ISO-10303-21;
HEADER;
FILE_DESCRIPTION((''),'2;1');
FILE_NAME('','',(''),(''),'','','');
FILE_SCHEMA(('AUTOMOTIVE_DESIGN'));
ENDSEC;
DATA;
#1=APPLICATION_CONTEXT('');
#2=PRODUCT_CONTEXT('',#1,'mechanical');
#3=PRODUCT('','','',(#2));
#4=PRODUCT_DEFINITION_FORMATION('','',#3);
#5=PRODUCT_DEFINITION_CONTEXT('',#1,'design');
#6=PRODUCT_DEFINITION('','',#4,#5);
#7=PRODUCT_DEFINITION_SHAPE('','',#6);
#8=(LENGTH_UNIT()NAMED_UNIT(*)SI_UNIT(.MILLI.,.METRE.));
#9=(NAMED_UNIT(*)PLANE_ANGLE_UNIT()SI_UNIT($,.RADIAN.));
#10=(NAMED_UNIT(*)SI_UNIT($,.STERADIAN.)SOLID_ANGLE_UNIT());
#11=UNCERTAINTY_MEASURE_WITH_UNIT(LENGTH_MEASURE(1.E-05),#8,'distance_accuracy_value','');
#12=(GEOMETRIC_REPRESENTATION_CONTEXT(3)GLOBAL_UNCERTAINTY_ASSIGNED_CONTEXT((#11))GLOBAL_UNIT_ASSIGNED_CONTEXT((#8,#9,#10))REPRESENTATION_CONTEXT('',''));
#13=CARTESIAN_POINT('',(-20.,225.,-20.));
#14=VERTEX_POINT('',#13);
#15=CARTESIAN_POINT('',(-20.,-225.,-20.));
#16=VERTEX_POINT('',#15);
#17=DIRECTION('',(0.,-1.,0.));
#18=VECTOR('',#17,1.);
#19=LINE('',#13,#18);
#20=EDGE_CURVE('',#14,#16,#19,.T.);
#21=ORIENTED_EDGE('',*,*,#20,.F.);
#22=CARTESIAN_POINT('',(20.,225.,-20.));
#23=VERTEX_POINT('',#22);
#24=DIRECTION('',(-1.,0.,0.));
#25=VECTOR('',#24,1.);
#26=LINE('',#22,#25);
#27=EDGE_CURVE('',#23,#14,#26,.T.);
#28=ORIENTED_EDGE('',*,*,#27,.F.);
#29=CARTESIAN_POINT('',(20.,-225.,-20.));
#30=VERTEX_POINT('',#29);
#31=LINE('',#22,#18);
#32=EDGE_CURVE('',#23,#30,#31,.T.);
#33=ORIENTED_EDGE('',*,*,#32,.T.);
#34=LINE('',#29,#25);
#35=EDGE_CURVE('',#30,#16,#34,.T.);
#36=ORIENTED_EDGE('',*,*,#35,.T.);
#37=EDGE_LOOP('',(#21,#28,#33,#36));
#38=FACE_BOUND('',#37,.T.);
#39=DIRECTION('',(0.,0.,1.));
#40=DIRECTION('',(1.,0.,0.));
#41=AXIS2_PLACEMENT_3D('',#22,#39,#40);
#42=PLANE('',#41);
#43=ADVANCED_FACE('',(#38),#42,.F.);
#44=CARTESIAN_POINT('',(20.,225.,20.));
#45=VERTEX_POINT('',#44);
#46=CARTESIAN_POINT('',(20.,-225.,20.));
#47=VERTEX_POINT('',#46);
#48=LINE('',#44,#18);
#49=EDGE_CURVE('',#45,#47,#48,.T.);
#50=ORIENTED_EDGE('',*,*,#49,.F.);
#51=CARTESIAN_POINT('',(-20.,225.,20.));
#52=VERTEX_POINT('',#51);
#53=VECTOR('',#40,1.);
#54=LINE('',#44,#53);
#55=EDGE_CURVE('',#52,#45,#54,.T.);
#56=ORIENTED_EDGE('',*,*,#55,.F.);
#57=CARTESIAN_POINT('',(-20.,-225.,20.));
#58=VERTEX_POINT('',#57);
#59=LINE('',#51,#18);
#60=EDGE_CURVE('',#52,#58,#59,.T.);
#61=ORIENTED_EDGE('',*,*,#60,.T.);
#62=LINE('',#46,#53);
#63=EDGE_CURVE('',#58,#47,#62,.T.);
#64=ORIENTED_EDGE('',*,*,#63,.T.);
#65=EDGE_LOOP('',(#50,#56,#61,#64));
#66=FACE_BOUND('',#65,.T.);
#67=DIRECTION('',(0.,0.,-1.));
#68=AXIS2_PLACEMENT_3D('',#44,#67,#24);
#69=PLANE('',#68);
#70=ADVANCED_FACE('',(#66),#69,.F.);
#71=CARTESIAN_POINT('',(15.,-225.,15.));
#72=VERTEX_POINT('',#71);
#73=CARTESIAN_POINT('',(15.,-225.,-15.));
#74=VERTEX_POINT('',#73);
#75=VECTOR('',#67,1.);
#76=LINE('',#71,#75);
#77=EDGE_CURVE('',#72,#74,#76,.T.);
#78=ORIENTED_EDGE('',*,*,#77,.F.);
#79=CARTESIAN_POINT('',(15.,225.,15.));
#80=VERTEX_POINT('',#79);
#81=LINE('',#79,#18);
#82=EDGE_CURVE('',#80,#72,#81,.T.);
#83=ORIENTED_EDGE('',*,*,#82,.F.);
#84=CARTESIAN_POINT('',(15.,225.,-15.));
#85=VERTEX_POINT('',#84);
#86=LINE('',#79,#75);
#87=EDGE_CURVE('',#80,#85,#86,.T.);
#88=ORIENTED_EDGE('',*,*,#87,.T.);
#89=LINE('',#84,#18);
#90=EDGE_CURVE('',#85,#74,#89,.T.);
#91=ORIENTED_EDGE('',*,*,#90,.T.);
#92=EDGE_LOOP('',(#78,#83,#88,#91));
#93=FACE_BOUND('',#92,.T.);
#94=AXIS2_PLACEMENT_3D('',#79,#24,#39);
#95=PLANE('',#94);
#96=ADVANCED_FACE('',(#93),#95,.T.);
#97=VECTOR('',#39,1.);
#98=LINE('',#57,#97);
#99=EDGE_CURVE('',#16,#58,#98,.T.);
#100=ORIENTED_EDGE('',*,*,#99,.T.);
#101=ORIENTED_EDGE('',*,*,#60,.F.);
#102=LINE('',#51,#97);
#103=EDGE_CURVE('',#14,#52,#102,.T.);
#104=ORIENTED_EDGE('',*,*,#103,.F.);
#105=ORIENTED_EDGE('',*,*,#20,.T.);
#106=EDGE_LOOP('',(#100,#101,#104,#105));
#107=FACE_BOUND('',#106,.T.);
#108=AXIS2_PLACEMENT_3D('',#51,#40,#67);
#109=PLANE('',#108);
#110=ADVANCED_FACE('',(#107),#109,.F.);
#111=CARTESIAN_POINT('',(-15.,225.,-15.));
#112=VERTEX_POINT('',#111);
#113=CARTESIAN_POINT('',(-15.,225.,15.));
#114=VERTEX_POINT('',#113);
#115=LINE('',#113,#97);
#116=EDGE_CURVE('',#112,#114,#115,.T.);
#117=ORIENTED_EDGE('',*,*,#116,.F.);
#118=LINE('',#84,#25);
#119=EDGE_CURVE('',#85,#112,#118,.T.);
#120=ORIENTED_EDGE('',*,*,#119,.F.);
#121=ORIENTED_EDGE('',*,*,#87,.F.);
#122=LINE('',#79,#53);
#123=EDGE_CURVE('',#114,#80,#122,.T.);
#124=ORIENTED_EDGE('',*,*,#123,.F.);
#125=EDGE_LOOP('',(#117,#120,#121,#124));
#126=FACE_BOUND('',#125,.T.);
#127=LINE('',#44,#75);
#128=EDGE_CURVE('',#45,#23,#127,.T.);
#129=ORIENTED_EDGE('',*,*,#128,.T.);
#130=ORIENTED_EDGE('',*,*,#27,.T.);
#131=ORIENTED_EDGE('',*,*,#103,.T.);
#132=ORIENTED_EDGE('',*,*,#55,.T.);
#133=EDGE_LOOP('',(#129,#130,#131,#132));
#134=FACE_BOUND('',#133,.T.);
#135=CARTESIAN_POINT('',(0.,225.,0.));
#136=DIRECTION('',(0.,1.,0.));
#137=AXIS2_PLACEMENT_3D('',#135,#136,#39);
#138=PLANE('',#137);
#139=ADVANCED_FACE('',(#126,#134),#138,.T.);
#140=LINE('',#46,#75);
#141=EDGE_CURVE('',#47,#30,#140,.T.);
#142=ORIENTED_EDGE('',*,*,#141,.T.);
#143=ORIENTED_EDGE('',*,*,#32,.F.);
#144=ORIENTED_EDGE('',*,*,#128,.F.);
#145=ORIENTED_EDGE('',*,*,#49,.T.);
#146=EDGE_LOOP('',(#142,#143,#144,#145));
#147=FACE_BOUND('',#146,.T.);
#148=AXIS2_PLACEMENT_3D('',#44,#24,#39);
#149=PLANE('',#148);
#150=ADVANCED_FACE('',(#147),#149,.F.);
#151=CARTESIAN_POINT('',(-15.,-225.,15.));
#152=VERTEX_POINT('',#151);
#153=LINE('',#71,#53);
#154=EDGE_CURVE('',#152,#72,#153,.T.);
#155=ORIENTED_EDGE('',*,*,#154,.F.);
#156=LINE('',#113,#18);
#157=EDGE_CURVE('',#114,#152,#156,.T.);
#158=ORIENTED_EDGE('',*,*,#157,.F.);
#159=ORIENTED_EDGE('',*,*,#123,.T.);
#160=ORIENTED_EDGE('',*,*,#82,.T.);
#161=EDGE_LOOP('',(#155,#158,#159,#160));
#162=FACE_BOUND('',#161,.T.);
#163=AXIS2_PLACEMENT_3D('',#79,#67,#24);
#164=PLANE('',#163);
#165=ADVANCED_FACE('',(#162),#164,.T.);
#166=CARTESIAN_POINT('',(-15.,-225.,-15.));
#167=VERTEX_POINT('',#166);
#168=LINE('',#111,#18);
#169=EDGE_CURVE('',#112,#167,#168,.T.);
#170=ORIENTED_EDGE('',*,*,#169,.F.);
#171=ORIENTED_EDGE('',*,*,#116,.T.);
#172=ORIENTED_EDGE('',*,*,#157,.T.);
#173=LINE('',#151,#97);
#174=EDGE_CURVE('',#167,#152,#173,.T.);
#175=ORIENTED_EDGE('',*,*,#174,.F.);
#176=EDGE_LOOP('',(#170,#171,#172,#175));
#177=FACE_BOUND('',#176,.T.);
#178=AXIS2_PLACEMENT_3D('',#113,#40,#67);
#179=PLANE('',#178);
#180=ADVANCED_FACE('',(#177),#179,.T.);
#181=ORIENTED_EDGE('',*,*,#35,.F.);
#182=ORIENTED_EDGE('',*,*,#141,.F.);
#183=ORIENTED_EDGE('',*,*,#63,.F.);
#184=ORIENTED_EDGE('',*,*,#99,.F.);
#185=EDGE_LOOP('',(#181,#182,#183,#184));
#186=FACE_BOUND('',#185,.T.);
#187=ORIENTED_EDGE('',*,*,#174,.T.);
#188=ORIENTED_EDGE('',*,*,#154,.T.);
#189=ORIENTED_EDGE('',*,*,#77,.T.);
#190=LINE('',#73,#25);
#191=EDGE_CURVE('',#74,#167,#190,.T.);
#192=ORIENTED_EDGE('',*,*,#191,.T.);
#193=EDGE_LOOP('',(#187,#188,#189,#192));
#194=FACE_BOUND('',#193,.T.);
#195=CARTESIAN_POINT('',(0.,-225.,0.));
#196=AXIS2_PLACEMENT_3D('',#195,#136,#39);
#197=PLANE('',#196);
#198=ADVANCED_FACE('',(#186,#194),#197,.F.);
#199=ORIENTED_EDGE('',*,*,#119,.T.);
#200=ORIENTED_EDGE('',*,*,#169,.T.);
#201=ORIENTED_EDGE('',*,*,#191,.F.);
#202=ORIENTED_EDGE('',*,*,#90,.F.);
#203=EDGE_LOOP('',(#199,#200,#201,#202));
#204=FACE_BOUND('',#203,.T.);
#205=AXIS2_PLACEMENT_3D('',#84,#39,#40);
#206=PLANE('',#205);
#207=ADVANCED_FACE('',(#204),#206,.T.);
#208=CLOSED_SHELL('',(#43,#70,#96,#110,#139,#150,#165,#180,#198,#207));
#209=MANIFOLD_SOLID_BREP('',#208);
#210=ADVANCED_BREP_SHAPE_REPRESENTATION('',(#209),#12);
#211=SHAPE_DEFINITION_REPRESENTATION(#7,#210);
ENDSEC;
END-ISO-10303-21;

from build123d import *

# Parameters (mm, degrees)
SCHIZZO1_W                   = 40
SCHIZZO1_H                   = 40
SCHIZZO1_W_2                 = 30
SCHIZZO1_H_2                 = 30
ESTRUSIONE_ESTRUSIONE1_DEPTH = 225


with BuildPart() as part:
    # Schizzo1 → Estrusione-Estrusione1 (new body, symmetric)
    with BuildSketch(Plane(origin=(0, 0, 0), x_dir=(1, 0, 0), z_dir=(0, 1, 0))):
        Rectangle(SCHIZZO1_W, SCHIZZO1_H)
        Rectangle(SCHIZZO1_W_2, SCHIZZO1_H_2, mode=Mode.SUBTRACT)
    extrude(amount=ESTRUSIONE_ESTRUSIONE1_DEPTH, both=True)


solid = part.part
